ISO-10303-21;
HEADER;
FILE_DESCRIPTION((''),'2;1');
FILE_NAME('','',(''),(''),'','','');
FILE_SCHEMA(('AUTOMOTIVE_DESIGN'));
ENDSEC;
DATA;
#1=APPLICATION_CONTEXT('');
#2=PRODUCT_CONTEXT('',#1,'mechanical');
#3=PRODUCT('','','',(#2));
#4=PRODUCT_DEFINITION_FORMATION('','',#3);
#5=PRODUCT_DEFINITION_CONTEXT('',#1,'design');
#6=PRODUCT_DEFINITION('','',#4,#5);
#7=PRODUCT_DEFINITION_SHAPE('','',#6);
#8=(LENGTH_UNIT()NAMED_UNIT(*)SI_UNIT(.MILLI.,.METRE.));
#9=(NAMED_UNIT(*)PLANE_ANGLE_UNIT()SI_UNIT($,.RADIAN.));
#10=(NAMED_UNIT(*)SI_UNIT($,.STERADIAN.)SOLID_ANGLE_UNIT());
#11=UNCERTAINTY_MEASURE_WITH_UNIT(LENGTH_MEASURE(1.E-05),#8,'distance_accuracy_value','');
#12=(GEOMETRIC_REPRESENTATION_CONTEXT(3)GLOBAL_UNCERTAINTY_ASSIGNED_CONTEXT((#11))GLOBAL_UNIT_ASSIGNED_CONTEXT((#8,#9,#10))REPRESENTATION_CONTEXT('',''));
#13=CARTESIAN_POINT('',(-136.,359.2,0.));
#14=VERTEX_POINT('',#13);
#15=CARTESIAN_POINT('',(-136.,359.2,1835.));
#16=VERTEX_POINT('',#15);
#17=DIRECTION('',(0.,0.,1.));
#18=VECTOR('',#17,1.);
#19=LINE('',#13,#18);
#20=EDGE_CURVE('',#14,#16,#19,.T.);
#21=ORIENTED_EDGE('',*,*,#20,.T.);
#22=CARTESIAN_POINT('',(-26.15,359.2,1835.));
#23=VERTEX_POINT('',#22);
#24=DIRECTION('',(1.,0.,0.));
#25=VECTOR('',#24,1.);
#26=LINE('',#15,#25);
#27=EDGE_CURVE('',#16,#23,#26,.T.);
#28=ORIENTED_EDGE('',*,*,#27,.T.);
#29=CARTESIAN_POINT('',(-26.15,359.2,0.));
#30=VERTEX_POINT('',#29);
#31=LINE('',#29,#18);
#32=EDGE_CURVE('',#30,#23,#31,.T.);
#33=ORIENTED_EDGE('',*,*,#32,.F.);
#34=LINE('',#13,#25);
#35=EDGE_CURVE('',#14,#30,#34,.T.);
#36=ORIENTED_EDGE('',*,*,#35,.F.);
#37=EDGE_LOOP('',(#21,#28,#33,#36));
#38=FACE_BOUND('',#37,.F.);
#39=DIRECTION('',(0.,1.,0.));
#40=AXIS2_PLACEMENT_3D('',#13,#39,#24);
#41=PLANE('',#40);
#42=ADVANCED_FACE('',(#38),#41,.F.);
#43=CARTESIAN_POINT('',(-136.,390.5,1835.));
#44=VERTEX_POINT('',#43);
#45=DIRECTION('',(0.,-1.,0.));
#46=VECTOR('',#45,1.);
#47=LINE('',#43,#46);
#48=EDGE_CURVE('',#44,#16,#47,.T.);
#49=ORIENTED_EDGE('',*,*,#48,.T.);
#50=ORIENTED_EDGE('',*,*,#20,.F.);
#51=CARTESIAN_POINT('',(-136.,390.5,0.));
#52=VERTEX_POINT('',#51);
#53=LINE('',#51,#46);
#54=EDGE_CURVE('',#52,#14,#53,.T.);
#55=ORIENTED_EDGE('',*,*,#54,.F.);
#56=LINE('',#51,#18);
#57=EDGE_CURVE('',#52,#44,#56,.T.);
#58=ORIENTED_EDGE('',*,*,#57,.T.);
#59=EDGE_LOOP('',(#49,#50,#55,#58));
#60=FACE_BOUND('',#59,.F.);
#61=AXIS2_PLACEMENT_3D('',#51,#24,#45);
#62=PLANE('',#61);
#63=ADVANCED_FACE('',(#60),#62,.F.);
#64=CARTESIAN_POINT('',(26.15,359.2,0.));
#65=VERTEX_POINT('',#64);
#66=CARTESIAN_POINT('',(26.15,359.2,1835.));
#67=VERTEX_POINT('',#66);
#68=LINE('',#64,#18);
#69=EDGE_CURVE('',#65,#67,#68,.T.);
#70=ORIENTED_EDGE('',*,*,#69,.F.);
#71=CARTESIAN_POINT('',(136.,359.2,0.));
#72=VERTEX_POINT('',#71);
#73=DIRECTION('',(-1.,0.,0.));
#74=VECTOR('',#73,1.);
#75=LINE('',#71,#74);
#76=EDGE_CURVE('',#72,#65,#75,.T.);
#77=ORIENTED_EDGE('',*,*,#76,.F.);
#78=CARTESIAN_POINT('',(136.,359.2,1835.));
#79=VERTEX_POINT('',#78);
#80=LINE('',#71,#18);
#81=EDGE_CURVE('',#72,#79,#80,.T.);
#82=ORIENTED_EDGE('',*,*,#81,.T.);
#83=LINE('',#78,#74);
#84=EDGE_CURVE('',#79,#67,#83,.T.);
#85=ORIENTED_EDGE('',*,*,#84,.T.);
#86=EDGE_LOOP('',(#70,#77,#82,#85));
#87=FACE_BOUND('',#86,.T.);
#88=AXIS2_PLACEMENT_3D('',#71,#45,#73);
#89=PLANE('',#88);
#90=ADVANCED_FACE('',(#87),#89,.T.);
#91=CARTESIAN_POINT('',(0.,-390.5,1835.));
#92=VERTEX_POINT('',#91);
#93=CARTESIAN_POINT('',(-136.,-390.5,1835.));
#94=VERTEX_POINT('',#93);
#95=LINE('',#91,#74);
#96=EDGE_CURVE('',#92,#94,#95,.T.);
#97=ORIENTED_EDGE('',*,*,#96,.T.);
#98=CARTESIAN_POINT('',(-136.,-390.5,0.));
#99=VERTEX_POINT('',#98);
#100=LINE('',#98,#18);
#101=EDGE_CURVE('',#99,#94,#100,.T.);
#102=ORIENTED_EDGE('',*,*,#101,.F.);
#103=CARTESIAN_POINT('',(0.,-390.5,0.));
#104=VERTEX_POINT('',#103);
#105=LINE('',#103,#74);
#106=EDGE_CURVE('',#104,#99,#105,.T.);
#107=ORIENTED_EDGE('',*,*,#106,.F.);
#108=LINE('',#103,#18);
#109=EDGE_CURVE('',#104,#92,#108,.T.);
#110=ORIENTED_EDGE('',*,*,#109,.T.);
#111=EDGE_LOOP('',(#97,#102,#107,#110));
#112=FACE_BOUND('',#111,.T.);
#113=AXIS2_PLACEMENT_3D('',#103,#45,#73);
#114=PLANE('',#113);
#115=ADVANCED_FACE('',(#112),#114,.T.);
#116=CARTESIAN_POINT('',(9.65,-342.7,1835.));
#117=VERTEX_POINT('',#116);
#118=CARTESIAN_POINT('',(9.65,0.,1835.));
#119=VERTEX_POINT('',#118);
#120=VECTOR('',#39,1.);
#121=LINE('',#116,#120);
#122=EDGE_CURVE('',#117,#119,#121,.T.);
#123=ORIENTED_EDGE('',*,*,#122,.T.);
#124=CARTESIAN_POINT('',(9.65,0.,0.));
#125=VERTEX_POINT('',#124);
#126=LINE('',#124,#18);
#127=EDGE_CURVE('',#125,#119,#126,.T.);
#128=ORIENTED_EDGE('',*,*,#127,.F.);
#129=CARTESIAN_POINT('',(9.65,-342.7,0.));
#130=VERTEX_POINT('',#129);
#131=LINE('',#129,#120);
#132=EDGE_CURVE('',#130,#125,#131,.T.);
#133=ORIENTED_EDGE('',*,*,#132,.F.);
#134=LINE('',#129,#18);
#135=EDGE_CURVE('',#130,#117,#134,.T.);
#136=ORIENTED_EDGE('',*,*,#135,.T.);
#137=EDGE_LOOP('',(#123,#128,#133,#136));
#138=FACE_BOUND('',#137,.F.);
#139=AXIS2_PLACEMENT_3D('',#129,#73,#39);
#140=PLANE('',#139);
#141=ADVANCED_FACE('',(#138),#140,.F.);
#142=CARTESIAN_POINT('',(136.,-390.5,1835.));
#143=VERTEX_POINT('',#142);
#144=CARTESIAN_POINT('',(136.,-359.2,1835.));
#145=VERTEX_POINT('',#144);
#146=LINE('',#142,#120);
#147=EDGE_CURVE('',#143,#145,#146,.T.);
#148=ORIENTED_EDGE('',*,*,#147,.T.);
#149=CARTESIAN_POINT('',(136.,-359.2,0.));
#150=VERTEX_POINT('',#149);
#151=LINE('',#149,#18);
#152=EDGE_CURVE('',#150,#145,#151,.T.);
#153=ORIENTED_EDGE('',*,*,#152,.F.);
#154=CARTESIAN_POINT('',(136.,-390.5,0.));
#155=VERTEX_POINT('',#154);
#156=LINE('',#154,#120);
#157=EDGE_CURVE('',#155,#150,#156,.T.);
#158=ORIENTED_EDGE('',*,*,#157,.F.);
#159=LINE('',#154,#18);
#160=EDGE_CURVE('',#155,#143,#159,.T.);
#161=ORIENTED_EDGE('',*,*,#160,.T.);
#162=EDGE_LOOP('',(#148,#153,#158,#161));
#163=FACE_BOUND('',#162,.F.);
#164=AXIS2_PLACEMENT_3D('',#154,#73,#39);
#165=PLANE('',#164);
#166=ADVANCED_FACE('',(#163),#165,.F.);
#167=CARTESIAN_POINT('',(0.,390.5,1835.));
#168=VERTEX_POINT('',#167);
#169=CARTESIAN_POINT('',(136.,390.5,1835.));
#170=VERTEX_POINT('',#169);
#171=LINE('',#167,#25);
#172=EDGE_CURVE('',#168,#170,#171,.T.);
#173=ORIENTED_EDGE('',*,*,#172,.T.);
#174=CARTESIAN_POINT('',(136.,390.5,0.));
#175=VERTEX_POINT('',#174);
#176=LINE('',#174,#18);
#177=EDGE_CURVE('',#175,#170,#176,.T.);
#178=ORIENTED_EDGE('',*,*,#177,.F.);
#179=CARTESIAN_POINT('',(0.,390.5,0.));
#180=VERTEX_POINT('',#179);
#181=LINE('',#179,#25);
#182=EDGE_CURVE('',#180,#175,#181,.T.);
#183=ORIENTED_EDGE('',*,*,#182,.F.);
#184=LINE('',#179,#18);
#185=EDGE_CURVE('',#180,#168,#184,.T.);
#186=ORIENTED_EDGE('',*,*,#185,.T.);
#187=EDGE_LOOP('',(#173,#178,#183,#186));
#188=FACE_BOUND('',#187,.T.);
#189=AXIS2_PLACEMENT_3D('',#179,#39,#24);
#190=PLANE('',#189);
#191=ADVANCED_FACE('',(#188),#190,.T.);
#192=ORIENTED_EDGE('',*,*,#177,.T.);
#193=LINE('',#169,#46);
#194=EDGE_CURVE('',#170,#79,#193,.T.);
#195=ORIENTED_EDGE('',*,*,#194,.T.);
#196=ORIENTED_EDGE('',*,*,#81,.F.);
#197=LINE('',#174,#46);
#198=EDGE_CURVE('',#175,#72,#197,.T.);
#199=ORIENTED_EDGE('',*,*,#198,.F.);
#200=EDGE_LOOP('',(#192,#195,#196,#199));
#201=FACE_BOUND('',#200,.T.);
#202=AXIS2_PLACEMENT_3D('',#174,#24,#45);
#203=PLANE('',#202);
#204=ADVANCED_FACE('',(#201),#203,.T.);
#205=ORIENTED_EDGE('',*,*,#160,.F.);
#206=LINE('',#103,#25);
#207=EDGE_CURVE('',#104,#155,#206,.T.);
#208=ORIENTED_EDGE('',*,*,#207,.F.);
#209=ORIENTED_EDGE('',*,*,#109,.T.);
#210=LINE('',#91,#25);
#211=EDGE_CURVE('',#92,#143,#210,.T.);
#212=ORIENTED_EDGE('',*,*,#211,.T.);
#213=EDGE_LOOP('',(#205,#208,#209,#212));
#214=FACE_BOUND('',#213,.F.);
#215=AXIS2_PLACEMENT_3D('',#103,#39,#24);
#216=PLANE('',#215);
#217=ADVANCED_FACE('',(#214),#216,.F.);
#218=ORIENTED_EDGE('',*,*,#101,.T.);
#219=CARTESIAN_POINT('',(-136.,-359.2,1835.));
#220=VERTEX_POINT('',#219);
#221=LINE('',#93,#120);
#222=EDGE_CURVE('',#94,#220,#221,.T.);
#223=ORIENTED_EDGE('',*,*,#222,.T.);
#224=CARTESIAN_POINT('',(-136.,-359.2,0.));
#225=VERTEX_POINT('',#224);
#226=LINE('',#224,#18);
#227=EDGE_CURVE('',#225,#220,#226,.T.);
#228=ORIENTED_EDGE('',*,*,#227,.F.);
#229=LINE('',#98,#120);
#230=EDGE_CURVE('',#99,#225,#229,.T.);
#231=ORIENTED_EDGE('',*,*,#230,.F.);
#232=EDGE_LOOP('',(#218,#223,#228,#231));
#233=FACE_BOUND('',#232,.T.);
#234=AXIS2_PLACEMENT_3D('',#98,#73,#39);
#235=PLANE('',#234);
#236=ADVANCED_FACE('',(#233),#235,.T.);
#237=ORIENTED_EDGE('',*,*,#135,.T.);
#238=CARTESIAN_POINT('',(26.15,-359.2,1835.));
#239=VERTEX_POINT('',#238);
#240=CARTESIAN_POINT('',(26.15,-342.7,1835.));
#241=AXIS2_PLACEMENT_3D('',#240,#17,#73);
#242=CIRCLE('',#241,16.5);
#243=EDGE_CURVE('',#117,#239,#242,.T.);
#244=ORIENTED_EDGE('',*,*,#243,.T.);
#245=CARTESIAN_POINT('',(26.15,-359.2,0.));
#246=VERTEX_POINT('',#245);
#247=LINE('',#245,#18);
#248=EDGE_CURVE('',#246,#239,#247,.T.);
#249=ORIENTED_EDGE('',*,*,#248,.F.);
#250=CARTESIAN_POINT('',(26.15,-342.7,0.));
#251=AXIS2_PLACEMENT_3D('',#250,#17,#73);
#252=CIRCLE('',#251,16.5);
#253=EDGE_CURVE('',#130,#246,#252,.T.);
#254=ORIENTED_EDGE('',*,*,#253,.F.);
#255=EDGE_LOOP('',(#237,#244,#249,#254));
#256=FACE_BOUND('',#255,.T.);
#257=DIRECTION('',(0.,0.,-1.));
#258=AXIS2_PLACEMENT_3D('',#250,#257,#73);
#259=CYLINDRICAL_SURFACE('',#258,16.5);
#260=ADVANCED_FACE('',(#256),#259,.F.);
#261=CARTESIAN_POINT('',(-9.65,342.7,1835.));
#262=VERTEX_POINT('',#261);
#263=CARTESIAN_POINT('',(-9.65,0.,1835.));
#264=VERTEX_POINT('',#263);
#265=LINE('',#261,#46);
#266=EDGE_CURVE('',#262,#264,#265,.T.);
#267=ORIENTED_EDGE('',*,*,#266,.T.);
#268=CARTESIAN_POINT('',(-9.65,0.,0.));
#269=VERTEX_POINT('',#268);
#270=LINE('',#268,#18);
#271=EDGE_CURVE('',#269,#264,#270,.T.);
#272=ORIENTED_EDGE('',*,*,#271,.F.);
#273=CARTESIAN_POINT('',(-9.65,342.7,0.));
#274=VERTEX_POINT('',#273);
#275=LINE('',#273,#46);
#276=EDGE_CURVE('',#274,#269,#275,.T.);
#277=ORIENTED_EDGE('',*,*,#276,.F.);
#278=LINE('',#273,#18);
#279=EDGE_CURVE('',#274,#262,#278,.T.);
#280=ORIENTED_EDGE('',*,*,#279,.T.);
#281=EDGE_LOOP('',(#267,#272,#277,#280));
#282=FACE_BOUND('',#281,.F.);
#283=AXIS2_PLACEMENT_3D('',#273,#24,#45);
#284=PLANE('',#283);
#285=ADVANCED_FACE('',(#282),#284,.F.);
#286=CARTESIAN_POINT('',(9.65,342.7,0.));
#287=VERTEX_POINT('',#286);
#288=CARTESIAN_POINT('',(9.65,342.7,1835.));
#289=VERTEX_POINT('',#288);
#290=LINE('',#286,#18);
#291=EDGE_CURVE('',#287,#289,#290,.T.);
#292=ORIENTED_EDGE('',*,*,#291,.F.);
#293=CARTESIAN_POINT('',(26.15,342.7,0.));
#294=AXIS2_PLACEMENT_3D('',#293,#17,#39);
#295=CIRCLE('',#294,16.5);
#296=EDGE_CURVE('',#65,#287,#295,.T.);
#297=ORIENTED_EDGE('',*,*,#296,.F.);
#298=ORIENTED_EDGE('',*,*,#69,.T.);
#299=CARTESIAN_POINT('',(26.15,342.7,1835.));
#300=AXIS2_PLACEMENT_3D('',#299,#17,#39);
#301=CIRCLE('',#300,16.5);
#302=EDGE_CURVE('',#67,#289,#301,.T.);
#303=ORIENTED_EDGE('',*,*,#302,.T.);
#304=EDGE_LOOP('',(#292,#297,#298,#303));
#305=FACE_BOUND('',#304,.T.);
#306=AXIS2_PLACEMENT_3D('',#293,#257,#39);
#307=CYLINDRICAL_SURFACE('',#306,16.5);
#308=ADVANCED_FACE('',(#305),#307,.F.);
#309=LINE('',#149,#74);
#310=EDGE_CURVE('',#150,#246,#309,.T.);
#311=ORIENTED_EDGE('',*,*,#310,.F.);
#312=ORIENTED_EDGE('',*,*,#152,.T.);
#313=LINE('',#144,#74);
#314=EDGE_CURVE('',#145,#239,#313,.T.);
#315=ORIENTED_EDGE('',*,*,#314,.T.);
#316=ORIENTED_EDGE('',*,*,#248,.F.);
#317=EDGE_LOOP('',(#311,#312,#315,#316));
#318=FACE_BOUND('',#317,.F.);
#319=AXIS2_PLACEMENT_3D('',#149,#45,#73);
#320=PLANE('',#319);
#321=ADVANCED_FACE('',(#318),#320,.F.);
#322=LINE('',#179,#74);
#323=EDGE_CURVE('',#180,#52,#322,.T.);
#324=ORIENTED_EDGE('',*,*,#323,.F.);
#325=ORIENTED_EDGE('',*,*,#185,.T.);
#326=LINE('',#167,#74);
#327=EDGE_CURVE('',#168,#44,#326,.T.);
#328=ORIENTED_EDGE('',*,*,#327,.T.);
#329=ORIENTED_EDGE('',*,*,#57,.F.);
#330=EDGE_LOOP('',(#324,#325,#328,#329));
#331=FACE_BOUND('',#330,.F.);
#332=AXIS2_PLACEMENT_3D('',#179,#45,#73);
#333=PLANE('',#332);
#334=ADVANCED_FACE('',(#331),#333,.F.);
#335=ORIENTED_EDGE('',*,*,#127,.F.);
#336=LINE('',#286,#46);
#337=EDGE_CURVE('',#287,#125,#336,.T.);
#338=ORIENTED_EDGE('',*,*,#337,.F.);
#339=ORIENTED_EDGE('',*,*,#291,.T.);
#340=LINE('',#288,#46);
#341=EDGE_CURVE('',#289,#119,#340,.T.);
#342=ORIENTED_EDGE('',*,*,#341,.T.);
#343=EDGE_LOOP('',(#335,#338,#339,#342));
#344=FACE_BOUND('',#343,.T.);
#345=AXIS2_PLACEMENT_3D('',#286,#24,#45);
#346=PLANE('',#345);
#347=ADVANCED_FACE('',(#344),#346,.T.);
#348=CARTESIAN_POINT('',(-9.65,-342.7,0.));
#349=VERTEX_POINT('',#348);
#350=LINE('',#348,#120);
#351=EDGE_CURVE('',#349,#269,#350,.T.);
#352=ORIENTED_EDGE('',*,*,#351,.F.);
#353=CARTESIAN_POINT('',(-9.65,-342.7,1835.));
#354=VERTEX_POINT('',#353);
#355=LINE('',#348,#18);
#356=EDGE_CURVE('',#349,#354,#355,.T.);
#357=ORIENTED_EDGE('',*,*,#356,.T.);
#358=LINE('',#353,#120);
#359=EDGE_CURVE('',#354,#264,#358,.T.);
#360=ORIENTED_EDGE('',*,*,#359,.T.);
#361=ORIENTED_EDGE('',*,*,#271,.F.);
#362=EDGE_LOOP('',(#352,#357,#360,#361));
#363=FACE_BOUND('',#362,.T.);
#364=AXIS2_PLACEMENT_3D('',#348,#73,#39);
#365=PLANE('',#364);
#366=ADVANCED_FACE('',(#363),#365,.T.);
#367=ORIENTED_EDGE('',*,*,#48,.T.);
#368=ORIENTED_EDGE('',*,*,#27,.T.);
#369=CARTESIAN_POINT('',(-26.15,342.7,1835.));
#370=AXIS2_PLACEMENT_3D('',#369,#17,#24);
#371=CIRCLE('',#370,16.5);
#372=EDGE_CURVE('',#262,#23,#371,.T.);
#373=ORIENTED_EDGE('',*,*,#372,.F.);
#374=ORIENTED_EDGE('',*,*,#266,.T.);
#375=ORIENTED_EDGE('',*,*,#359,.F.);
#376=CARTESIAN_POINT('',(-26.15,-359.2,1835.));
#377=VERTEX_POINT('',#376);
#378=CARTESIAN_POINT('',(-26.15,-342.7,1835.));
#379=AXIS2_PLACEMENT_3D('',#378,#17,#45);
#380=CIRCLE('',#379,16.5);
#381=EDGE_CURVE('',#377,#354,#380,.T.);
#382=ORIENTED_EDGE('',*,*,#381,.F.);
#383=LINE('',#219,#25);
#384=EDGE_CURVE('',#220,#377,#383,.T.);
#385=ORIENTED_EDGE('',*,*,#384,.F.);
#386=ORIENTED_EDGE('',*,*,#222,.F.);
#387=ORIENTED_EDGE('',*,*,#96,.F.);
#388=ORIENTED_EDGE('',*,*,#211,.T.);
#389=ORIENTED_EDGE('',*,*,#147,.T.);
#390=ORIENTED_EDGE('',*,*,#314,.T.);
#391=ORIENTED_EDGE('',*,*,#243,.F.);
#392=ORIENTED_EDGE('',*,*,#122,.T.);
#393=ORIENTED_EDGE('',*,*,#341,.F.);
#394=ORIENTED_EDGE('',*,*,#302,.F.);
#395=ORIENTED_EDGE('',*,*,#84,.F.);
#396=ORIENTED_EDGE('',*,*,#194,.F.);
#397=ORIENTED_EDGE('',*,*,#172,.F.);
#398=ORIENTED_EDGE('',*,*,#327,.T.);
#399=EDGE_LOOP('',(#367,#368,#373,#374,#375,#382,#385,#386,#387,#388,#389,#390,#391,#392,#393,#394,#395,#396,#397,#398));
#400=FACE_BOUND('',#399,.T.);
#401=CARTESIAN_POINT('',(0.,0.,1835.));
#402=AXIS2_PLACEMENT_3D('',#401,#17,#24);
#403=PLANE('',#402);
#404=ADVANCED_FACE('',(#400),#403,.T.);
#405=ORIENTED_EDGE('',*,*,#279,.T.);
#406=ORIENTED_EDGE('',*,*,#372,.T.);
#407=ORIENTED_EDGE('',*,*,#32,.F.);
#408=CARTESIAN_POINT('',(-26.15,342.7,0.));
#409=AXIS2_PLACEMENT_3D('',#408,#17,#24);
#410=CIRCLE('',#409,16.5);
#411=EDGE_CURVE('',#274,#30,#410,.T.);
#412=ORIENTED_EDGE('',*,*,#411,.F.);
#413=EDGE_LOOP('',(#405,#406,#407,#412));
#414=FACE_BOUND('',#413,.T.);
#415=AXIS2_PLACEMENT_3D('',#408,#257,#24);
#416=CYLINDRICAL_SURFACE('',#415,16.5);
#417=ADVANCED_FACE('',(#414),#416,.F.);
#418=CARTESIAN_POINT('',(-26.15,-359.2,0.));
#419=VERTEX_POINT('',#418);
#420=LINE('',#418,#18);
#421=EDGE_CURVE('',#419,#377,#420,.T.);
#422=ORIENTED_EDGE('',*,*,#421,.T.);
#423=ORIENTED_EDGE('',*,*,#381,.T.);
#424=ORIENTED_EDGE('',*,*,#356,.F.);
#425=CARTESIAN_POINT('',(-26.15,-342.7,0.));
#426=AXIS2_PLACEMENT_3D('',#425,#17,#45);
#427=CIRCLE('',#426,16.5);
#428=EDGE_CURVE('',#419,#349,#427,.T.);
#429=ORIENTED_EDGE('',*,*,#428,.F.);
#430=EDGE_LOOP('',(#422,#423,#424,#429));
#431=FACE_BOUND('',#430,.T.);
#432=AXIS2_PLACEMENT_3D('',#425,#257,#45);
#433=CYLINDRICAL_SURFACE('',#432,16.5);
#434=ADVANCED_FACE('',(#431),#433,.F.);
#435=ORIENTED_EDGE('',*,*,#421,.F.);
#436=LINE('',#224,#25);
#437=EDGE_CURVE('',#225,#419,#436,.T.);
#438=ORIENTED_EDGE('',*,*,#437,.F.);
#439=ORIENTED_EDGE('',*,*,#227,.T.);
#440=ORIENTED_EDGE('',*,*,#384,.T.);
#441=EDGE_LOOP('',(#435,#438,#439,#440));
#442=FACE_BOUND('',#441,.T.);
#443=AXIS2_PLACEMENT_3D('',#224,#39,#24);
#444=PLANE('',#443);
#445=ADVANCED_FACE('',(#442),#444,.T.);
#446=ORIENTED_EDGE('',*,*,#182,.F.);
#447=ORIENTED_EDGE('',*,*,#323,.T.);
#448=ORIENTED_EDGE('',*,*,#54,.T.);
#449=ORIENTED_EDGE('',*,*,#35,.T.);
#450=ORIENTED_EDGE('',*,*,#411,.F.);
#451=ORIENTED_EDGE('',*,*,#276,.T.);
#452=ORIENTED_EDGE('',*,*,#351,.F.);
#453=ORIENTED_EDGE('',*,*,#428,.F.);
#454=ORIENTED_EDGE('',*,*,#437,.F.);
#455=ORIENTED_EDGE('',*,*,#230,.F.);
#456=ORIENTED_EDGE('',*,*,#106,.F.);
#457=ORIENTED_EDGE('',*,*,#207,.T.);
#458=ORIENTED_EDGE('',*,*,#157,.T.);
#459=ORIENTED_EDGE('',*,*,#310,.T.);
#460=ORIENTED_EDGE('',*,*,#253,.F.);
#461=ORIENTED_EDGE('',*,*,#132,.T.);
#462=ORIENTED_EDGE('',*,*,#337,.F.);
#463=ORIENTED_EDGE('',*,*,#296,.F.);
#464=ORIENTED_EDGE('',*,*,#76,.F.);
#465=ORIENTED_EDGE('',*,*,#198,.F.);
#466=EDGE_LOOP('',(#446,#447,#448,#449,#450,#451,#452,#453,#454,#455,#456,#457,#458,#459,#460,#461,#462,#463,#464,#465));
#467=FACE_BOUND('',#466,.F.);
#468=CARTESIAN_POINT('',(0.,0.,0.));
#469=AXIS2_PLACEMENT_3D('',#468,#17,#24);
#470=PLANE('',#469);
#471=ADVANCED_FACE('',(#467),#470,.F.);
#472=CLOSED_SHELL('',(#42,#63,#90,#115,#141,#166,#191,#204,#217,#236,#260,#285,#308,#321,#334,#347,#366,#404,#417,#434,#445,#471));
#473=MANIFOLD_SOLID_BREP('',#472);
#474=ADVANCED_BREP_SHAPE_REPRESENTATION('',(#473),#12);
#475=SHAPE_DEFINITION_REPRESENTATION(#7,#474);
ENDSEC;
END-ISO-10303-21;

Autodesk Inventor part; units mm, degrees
ref_plane "YZ Plane" through (0, 0, 0) normal (1, 0, 0) x (0, 1, 0)
ref_plane "Start plane" through (0, 0, 0) normal (0, 0, 1) x (1, 0, 0)
ref_plane "End plane" through (0, 0, 1835) normal (0, 0, 1) x (1, 0, 0)
sketch "Sketch" plane through (0, 0, 0) normal (0, 0, 1) x (1, 0, 0)
  line L0 (-136, -390.5) -> (-136, -359.2)
  line L1 (-136, -359.2) -> (-26.15, -359.2)
  line L2 (-9.65, -342.7) -> (-9.65, 0)
  line L3 (-9.65, 0) -> (0, 0) construction
  line L4 (0, 0) -> (0, -390.5) construction
  line L5 (0, -390.5) -> (-136, -390.5)
  line L6 (-60, 0) -> (80, 0) construction
  line L7 (0, -60) -> (0, 80) construction
  line L8 (136, -390.5) -> (136, -359.2)
  line L9 (136, -359.2) -> (26.15, -359.2)
  line L10 (9.65, -342.7) -> (9.65, 0)
  line L11 (9.65, 0) -> (0, 0) construction
  line L12 (0, -390.5) -> (136, -390.5)
  line L13 (-136, 390.5) -> (-136, 359.2)
  line L14 (-136, 359.2) -> (-26.15, 359.2)
  line L15 (-9.65, 342.7) -> (-9.65, 0)
  line L16 (0, 390.5) -> (-136, 390.5)
  line L17 (136, 390.5) -> (136, 359.2)
  line L18 (136, 359.2) -> (26.15, 359.2)
  line L19 (0, 390.5) -> (136, 390.5)
  line L20 (9.65, 342.7) -> (9.65, 0)
  arc A0 (-9.65, 342.7) -> (-26.15, 359.2) centre (-26.15, 342.7) ccw
  arc A1 (26.15, 359.2) -> (9.65, 342.7) centre (26.15, 342.7) ccw
  arc A2 (9.65, -342.7) -> (26.15, -359.2) centre (26.15, -342.7) ccw
  arc A3 (-26.15, -359.2) -> (-9.65, -342.7) centre (-26.15, -342.7) ccw
  line L21 (0, 108) -> (0, -88) construction
  line L22 (-88, 0) -> (108, 0) construction
  point P0 (-9.65, -359.2)
  point P1 (9.65, -359.2)
  point P2 (-9.65, 359.2)
  point P3 (9.65, 359.2)
  dimension "d1" = 390.5
  dimension "d2" = 31.3
  dimension "d3" = 136
  dimension "d4" = 9.65
  dimension "d10" = 16.5
extrude "Body" add sketch "Sketch" along normal up to surface (1835 mm away) from surface at 0
sketch "Sketch4" plane through (0, 0, 0) normal (0, 0, 1) x (1, 0, 0)
  line L0 (0, 0) -> (10, 0)
ref_plane "Work Plane3" through (0, 0, 0) normal (0, -1, 0) x (1, 0, 0)
sketch "Sketch5" plane through (0, 0, 0) normal (0, -1, 0) x (1, 0, 0)
  line L0 (-2, 0) -> (12, 0) projected
  line L1 (-2, 1835) -> (12, 1835) projected
  dimension "d14" = 1835
equation "\"d1\" = 0.5 * G_H"
equation "\"d2\" = G_T1"
equation "\"d3\" = 0.5 * G_W"
equation "\"d4\" = 0.5 * G_T"
equation "\"d10\" = G_IR"
equation "\"d5\" = G_L"
equation "\"G_W\" = 272"
equation "\"G_H\" = 781"
equation "\"G_T\" = 19.3"
equation "\"G_T1\" = 31.3"
equation "\"G_IR\" = 16.5"
equation "\"G_L\" = d14"
equation "\"G_OFFSET_START\" = 0"
equation "\"G_OFFSET_END\" = 0"
equation "\"d12\" = G_OFFSET_END + B_L"
equation "\"B_L\" = 1835"
properties part number "AS 3679-1990 - 760 UB - 244 - 1835" material "Steel, Mild"
